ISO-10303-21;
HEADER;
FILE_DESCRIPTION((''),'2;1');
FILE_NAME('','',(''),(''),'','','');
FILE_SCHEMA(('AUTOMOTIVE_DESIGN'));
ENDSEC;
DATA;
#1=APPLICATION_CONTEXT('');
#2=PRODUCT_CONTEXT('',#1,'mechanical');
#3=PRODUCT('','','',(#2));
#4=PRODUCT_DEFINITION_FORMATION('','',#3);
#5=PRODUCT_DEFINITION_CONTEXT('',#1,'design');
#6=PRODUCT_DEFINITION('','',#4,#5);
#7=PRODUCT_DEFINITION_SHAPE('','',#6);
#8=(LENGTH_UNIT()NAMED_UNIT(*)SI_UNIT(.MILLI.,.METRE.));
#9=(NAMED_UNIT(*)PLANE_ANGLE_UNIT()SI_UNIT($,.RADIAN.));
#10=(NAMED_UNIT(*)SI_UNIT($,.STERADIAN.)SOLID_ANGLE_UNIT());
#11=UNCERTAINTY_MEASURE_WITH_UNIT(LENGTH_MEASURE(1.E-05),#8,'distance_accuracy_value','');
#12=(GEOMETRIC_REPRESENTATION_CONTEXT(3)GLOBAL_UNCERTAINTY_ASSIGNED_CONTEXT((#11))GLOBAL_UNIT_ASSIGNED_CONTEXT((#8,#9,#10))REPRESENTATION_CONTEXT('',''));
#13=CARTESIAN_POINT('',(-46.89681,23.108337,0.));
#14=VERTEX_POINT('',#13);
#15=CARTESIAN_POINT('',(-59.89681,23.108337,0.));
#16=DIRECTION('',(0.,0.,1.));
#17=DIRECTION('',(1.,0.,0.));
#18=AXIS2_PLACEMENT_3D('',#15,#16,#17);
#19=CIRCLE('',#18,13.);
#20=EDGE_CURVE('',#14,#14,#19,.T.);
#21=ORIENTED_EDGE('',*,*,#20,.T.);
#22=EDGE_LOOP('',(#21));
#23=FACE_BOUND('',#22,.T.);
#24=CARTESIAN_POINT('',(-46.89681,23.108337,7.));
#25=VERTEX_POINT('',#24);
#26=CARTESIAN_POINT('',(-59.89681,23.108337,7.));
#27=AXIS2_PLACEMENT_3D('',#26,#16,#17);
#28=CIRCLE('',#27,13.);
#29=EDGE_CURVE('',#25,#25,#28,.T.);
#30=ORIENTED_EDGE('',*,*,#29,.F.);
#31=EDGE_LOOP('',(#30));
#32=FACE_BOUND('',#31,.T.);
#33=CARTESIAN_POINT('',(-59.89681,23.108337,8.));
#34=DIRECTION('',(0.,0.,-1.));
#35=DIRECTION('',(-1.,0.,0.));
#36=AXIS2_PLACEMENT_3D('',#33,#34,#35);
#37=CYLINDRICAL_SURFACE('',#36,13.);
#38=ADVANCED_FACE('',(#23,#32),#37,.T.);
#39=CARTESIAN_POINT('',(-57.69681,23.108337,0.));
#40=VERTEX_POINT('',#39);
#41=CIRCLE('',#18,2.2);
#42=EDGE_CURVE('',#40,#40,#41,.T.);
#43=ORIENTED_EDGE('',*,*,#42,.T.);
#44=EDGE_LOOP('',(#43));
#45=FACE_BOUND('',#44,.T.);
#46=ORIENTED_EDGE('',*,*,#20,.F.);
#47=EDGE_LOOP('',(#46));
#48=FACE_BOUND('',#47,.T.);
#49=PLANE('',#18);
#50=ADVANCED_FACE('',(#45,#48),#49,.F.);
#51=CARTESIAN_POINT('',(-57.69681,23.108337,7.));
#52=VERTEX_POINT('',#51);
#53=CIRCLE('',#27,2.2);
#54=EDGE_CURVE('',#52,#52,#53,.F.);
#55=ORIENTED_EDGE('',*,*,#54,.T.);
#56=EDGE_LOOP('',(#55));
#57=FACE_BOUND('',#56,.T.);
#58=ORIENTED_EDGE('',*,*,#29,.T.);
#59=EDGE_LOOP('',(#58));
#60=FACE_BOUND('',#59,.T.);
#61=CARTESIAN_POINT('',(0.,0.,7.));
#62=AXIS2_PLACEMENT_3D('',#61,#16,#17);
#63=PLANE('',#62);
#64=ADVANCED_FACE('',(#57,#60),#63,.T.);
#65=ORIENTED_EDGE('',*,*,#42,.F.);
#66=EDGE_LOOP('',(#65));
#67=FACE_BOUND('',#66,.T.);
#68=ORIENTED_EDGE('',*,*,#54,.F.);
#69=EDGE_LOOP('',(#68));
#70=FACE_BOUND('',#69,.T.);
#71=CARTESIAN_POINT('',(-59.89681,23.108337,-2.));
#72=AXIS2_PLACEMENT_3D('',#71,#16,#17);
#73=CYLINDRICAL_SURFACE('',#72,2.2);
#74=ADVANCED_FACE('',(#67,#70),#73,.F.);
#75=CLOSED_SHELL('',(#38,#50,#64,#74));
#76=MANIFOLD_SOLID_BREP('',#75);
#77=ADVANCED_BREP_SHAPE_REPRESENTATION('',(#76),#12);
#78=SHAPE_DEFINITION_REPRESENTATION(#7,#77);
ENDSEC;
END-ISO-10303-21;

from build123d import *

# Parameters (mm, degrees)
SKETCH1_R           = 13
SKETCH1_R_2         = 1.5
BOSS_EXTRUDE1_DEPTH = 8
SKETCH2_R           = 2.2
CUT_EXTRUDE1_DEPTH  = 10
CUT_EXTRUDE2_DEPTH  = 1


with BuildPart() as part:
    # Sketch1 → Boss-Extrude1 (new body)
    with BuildSketch(Plane.XY):
        with Locations((-59.896810081, 23.108337223)):
            Circle(SKETCH1_R)
        with Locations((-59.896810081, 23.108337223)):
            Circle(SKETCH1_R_2, mode=Mode.SUBTRACT)
    extrude(amount=BOSS_EXTRUDE1_DEPTH)

    # Sketch2 → Cut-Extrude1 (cut)
    with BuildSketch(Plane.XY.offset(8)):
        with Locations((-59.896810081, 23.108337223)):
            Circle(SKETCH2_R)
    extrude(amount=-CUT_EXTRUDE1_DEPTH, mode=Mode.SUBTRACT)

    # Sketch4 → Cut-Extrude2 (cut)
    with BuildSketch(Plane.XY.offset(8)):
        Polygon((-73.325248838, 36.16514022), (-53.384391692, 38.140415901), (-46.517922759, 36.16514022), (-46.517922759, 9.754225618), (-73.325248838, 9.754225618), align=None)
    extrude(amount=-CUT_EXTRUDE2_DEPTH, mode=Mode.SUBTRACT)


solid = part.part
